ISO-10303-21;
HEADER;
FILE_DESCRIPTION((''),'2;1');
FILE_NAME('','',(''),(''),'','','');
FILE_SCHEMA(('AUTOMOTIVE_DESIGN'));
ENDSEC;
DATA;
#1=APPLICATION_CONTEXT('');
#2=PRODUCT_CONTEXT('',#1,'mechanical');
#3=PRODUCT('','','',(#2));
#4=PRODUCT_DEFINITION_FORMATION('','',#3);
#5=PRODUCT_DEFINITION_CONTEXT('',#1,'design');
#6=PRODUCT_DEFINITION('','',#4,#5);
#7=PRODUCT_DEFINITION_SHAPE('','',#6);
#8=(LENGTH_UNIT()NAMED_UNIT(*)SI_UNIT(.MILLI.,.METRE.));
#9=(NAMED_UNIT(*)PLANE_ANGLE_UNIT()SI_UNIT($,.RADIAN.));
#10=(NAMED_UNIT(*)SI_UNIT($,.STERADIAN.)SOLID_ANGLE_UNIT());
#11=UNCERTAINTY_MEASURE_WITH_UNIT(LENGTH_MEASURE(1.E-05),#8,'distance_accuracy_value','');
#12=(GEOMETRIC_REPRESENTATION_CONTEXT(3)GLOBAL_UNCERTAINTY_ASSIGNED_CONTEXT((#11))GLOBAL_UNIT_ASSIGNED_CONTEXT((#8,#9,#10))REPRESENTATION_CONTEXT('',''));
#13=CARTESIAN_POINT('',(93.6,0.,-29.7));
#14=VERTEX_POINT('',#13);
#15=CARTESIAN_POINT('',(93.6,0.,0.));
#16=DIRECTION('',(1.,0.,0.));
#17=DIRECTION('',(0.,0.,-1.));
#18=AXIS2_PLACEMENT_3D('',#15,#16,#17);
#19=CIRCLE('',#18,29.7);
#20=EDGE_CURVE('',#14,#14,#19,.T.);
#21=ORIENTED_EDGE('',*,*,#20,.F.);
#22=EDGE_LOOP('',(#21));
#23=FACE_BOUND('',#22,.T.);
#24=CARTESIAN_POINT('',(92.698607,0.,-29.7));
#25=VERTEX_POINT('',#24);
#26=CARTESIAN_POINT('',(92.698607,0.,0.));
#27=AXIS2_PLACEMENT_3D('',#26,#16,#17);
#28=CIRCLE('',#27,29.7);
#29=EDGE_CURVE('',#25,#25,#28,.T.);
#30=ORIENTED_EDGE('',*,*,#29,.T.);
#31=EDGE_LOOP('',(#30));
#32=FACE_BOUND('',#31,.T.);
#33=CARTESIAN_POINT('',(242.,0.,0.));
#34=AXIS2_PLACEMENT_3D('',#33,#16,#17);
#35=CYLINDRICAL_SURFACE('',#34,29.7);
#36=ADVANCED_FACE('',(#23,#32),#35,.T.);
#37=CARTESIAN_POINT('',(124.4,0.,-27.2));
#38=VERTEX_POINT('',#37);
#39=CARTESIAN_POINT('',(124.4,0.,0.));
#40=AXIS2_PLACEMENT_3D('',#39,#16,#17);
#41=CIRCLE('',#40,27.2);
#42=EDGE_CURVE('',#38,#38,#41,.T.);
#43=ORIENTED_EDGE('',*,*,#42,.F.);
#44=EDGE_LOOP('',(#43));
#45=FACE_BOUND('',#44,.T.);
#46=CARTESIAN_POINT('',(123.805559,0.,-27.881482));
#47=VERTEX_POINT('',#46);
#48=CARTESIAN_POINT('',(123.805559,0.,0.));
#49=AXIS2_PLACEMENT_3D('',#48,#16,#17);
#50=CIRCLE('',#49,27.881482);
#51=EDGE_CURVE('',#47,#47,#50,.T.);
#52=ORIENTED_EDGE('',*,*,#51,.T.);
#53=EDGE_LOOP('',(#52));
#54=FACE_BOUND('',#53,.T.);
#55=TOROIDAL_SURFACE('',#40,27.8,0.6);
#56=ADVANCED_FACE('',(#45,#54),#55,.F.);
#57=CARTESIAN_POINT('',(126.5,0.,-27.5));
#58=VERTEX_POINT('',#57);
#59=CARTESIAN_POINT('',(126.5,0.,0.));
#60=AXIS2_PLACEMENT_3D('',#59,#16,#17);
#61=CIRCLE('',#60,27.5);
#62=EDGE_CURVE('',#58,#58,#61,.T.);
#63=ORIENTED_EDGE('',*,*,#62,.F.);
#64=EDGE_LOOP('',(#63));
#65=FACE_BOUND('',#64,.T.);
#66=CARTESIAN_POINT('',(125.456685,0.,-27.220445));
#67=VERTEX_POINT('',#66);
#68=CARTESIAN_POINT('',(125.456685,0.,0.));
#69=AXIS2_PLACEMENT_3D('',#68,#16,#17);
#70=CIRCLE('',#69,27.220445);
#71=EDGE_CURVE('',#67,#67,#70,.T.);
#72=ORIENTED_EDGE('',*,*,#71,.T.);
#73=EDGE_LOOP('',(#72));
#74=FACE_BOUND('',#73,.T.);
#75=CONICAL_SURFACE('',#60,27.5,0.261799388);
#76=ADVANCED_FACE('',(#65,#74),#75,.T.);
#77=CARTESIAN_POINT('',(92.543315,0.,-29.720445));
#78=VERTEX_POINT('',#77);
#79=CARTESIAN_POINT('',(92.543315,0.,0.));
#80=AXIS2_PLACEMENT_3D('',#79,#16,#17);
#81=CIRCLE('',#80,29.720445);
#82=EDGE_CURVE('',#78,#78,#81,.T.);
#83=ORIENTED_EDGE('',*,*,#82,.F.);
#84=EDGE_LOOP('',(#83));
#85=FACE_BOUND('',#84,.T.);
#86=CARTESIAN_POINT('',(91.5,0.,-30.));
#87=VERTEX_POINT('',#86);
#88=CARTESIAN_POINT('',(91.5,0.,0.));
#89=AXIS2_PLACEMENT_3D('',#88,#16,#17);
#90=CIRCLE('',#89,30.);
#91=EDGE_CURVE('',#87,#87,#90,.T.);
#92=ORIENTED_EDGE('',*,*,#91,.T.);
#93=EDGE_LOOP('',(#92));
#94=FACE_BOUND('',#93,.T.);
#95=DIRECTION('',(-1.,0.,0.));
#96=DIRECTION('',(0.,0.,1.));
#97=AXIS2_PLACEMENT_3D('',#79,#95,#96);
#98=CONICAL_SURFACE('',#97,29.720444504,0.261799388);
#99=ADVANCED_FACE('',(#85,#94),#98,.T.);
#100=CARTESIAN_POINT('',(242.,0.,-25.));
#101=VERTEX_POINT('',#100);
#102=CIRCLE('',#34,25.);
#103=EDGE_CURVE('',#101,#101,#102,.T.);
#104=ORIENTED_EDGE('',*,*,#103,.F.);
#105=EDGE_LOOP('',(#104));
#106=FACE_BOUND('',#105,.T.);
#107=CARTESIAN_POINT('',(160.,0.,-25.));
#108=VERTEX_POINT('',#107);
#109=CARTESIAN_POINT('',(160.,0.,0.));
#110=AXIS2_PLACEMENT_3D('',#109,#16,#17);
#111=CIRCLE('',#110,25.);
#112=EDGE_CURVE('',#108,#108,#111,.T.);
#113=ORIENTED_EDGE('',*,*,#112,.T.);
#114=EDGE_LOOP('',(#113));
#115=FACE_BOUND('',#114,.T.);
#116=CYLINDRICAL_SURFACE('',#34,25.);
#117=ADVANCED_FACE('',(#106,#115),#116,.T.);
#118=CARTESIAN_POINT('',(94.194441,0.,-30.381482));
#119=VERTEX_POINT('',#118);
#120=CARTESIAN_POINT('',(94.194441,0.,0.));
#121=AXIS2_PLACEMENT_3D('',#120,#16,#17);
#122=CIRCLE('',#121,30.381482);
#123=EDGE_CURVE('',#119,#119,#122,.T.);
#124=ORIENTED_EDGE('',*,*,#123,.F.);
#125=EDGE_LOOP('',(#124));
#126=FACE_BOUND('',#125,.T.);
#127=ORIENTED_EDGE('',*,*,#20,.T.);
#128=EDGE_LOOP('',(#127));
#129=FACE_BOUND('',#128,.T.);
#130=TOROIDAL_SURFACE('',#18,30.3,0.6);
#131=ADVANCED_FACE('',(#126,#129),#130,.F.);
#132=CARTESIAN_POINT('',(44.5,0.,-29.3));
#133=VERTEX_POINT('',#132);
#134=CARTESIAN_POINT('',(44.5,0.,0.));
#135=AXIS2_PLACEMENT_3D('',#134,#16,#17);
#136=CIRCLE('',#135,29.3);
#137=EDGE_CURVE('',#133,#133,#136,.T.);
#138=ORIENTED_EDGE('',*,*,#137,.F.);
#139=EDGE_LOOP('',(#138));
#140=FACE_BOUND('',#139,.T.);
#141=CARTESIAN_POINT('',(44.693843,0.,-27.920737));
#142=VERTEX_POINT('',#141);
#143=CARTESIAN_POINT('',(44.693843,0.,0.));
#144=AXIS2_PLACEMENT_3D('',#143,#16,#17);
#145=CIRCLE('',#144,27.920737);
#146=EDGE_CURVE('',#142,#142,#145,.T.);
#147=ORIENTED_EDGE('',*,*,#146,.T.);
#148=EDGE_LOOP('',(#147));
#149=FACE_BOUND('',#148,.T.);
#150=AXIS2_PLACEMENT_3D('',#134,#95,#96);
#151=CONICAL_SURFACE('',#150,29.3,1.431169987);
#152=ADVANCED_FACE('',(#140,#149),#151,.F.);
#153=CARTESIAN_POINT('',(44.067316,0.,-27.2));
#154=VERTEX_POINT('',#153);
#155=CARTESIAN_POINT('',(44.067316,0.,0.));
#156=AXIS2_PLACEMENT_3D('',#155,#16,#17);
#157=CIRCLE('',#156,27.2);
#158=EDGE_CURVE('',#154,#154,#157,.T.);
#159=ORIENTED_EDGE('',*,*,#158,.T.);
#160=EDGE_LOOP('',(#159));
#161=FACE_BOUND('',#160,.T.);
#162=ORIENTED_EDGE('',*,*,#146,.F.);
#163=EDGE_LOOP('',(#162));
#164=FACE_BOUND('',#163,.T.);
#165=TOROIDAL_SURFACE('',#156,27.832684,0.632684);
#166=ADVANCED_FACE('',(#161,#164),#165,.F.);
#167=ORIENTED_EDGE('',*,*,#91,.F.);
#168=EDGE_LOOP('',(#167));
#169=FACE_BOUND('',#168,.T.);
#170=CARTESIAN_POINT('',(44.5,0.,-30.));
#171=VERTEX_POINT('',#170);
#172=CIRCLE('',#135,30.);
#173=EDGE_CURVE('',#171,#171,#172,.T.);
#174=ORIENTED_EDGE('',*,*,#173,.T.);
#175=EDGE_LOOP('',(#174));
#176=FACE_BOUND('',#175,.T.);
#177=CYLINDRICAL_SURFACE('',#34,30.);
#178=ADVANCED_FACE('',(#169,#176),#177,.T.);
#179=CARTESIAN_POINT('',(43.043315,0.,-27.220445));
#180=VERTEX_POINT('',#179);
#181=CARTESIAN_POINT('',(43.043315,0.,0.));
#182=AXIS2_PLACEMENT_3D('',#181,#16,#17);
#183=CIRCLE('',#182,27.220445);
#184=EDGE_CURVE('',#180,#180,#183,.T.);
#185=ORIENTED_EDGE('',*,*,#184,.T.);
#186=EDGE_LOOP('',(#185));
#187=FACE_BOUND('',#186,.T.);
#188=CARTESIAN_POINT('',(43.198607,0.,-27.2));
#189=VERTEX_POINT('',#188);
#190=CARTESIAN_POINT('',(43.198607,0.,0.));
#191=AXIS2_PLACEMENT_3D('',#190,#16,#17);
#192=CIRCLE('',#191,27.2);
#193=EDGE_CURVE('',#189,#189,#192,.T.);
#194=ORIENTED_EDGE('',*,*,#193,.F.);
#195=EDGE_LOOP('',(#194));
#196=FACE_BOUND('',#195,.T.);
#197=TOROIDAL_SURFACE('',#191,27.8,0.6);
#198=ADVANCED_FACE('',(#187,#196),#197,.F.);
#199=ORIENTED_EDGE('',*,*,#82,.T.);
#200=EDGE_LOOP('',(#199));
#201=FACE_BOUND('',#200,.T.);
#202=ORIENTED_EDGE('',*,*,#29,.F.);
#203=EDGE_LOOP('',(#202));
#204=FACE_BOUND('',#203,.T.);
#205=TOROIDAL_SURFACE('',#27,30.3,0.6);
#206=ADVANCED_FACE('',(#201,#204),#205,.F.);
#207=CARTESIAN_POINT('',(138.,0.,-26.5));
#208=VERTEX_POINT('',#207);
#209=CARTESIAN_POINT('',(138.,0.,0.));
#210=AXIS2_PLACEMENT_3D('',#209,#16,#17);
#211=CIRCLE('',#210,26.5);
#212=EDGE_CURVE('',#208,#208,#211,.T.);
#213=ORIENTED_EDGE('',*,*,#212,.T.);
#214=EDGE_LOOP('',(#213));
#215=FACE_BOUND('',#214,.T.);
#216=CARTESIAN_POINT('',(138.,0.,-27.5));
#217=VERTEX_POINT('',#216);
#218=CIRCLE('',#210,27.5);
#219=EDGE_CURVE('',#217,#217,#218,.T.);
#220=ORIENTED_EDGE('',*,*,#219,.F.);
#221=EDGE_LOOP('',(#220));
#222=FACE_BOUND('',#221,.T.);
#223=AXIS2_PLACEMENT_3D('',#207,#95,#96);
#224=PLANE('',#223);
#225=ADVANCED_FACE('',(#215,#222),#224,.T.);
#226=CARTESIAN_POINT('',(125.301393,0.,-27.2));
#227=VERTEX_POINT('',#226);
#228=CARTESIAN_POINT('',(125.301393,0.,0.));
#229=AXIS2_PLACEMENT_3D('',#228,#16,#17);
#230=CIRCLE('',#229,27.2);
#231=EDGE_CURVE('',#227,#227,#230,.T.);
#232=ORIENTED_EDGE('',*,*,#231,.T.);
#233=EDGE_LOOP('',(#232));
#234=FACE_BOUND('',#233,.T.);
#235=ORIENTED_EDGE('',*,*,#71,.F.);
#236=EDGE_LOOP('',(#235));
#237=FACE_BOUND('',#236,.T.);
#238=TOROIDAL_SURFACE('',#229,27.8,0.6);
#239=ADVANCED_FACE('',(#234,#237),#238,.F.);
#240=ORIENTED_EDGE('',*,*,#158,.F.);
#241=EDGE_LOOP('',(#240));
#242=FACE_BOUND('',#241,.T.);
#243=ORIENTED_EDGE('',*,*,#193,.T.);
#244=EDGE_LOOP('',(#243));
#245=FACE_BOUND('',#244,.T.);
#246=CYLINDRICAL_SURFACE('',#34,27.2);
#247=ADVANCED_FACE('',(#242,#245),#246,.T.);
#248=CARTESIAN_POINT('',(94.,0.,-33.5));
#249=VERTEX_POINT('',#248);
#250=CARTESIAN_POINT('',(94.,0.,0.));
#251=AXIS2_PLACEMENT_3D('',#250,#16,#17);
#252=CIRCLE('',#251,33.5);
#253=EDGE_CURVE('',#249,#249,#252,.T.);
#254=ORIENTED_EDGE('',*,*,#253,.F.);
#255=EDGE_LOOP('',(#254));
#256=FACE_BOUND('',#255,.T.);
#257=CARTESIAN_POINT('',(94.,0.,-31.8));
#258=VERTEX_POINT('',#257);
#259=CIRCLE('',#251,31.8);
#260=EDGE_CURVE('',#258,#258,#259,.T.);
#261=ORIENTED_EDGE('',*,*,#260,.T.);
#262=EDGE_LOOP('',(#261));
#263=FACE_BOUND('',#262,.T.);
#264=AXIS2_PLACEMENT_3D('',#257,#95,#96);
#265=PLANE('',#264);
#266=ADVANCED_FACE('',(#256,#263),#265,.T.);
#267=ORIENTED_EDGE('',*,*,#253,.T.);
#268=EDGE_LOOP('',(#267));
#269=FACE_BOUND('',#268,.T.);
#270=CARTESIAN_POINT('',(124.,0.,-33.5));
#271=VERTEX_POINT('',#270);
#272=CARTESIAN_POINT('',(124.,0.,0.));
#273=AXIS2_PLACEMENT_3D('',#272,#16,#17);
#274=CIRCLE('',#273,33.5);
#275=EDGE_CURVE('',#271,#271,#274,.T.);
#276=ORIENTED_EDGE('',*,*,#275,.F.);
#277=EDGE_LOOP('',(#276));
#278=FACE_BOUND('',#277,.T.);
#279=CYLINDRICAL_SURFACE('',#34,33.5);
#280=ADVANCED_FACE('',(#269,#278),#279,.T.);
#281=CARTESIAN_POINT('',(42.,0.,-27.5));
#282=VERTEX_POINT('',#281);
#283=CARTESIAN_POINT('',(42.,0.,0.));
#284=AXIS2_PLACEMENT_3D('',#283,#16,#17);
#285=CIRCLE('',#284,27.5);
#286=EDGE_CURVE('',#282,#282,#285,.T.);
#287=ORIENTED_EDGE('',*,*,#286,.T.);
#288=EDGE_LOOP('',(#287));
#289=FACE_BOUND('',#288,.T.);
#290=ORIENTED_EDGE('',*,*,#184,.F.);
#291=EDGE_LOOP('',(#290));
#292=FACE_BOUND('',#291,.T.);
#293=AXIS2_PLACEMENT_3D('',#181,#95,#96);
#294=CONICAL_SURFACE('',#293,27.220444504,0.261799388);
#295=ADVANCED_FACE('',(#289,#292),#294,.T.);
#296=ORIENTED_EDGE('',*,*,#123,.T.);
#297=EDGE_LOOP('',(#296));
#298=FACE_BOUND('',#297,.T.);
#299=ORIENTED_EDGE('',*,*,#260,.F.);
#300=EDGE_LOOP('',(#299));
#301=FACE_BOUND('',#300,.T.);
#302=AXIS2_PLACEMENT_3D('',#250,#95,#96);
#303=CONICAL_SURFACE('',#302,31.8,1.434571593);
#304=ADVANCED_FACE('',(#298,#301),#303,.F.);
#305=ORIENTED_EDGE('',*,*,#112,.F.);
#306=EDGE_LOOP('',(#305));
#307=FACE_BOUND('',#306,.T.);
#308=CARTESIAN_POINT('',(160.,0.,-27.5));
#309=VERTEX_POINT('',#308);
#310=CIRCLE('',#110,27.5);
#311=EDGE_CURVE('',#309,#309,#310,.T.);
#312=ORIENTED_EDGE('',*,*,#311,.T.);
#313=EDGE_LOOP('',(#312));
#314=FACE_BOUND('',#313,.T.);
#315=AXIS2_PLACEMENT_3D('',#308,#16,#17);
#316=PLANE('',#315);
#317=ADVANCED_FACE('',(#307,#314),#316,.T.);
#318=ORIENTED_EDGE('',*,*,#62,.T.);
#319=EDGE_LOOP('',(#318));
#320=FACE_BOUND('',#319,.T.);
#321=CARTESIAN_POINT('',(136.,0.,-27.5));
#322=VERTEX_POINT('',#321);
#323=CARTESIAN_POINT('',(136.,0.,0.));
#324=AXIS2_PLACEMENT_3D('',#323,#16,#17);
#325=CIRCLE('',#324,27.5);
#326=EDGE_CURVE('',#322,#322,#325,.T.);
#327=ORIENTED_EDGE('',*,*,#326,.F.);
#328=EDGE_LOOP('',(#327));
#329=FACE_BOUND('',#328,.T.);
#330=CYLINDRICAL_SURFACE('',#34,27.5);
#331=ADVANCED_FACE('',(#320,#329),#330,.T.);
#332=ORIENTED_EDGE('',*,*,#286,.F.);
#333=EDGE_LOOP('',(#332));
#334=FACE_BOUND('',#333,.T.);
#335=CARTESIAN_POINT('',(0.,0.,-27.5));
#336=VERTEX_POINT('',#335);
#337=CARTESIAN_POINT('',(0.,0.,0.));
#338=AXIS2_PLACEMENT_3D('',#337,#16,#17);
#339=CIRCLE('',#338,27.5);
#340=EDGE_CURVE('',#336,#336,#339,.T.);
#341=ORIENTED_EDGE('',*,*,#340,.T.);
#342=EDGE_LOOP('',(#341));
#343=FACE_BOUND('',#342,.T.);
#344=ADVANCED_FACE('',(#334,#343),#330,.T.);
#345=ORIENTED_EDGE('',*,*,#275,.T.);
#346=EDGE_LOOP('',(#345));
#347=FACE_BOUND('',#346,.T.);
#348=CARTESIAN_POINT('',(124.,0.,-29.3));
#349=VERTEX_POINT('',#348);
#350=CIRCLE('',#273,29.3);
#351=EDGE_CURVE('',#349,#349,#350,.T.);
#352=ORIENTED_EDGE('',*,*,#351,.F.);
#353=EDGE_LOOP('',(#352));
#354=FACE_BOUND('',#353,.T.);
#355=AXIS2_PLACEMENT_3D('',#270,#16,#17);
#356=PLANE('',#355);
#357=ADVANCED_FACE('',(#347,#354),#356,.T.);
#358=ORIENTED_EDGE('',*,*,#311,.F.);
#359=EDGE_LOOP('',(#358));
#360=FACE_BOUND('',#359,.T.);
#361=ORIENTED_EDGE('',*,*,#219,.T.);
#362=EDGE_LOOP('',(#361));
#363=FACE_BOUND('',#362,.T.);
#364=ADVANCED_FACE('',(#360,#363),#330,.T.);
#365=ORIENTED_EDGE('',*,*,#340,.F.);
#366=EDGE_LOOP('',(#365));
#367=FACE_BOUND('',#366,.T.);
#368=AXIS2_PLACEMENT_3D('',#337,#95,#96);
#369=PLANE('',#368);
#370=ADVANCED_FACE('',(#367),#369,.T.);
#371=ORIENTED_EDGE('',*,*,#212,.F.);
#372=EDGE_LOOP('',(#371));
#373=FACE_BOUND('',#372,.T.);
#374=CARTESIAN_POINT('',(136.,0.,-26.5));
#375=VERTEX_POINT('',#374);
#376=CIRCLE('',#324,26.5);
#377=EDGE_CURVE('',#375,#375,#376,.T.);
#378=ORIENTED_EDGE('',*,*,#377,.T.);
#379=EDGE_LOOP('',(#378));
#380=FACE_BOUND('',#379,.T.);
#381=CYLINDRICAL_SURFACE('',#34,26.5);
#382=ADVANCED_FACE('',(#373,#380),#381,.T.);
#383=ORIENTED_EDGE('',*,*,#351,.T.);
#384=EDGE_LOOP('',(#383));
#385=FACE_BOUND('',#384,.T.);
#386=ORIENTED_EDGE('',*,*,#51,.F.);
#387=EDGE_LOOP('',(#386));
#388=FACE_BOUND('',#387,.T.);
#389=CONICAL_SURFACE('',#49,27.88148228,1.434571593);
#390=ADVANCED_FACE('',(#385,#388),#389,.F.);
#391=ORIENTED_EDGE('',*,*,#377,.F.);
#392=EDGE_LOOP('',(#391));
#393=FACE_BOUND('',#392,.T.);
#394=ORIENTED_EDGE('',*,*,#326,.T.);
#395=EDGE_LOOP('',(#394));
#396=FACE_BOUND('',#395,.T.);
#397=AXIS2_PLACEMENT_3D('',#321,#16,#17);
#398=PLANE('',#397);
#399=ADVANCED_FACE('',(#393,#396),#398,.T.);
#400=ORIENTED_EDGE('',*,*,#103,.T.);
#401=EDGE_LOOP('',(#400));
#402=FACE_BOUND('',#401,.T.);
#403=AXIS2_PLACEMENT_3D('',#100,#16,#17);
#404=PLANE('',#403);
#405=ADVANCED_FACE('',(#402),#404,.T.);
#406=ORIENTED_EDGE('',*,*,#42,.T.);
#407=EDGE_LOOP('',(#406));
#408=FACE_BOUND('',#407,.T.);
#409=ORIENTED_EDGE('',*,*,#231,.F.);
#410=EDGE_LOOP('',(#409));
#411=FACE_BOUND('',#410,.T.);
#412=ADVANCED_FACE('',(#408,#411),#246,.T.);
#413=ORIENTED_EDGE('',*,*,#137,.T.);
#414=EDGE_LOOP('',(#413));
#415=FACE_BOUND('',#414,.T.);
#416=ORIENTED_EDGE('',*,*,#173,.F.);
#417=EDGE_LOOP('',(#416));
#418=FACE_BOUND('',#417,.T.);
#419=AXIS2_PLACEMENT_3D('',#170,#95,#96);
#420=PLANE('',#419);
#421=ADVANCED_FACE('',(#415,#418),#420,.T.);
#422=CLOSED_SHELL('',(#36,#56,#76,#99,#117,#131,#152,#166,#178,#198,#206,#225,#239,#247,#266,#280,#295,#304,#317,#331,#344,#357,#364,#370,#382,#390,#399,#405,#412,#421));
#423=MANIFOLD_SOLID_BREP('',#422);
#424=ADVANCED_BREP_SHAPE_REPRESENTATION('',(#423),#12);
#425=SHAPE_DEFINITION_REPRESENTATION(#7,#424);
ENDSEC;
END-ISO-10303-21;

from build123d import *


with BuildPart() as part:
    # Skizze1 → Rotation1 (revolve)
    with BuildSketch(Plane(origin=(0, 0, 0), x_dir=(1, 0, 0), z_dir=(0, 1, 0))):
        with BuildLine():
            Line((0, 0), (0, 27.5))
            Line((0, 27.5), (42, 27.5))
            Line((42, 27.5), (43.043315314, 27.220444504))
            ThreePointArc((43.043315314, 27.220444504), (43.120291025, 27.205133083), (43.198606741, 27.2))
            Line((43.198606741, 27.2), (44.067315551, 27.2))
            ThreePointArc((44.067315551, 27.2), (44.544808566, 27.417606104), (44.693842758, 27.920737106))
            Line((44.693842758, 27.920737106), (44.5, 29.3))
            Line((44.5, 29.3), (44.5, 30))
            Line((44.5, 30), (91.5, 30))
            Line((91.5, 30), (92.543315314, 29.720444504))
            ThreePointArc((92.543315314, 29.720444504), (92.620291025, 29.705133083), (92.698606741, 29.7))
            Line((92.698606741, 29.7), (93.6, 29.7))
            ThreePointArc((93.6, 29.7), (94.052155597, 29.905594985), (94.19444145, 30.38148228))
            Line((94.19444145, 30.38148228), (94, 31.8))
            Line((94, 31.8), (94, 33.5))
            Line((94, 33.5), (124, 33.5))
            Line((124, 33.5), (124, 29.3))
            Line((124, 29.3), (123.80555855, 27.88148228))
            ThreePointArc((123.80555855, 27.88148228), (123.947844403, 27.405594985), (124.4, 27.2))
            Line((124.4, 27.2), (125.301393259, 27.2))
            ThreePointArc((125.301393259, 27.2), (125.379708975, 27.205133083), (125.456684686, 27.220444504))
            Line((125.456684686, 27.220444504), (126.5, 27.5))
            Line((126.5, 27.5), (136, 27.5))
            Line((136, 27.5), (136, 26.5))
            Line((136, 26.5), (138, 26.5))
            Line((138, 26.5), (138, 27.5))
            Line((138, 27.5), (160, 27.5))
            Line((160, 27.5), (160, 25))
            Line((160, 25), (242, 25))
            Line((242, 25), (242, 0))
            Line((242, 0), (0, 0))
        make_face()
    revolve(axis=Axis((242, 0, 0), (-1, 0, 0)))


solid = part.part
